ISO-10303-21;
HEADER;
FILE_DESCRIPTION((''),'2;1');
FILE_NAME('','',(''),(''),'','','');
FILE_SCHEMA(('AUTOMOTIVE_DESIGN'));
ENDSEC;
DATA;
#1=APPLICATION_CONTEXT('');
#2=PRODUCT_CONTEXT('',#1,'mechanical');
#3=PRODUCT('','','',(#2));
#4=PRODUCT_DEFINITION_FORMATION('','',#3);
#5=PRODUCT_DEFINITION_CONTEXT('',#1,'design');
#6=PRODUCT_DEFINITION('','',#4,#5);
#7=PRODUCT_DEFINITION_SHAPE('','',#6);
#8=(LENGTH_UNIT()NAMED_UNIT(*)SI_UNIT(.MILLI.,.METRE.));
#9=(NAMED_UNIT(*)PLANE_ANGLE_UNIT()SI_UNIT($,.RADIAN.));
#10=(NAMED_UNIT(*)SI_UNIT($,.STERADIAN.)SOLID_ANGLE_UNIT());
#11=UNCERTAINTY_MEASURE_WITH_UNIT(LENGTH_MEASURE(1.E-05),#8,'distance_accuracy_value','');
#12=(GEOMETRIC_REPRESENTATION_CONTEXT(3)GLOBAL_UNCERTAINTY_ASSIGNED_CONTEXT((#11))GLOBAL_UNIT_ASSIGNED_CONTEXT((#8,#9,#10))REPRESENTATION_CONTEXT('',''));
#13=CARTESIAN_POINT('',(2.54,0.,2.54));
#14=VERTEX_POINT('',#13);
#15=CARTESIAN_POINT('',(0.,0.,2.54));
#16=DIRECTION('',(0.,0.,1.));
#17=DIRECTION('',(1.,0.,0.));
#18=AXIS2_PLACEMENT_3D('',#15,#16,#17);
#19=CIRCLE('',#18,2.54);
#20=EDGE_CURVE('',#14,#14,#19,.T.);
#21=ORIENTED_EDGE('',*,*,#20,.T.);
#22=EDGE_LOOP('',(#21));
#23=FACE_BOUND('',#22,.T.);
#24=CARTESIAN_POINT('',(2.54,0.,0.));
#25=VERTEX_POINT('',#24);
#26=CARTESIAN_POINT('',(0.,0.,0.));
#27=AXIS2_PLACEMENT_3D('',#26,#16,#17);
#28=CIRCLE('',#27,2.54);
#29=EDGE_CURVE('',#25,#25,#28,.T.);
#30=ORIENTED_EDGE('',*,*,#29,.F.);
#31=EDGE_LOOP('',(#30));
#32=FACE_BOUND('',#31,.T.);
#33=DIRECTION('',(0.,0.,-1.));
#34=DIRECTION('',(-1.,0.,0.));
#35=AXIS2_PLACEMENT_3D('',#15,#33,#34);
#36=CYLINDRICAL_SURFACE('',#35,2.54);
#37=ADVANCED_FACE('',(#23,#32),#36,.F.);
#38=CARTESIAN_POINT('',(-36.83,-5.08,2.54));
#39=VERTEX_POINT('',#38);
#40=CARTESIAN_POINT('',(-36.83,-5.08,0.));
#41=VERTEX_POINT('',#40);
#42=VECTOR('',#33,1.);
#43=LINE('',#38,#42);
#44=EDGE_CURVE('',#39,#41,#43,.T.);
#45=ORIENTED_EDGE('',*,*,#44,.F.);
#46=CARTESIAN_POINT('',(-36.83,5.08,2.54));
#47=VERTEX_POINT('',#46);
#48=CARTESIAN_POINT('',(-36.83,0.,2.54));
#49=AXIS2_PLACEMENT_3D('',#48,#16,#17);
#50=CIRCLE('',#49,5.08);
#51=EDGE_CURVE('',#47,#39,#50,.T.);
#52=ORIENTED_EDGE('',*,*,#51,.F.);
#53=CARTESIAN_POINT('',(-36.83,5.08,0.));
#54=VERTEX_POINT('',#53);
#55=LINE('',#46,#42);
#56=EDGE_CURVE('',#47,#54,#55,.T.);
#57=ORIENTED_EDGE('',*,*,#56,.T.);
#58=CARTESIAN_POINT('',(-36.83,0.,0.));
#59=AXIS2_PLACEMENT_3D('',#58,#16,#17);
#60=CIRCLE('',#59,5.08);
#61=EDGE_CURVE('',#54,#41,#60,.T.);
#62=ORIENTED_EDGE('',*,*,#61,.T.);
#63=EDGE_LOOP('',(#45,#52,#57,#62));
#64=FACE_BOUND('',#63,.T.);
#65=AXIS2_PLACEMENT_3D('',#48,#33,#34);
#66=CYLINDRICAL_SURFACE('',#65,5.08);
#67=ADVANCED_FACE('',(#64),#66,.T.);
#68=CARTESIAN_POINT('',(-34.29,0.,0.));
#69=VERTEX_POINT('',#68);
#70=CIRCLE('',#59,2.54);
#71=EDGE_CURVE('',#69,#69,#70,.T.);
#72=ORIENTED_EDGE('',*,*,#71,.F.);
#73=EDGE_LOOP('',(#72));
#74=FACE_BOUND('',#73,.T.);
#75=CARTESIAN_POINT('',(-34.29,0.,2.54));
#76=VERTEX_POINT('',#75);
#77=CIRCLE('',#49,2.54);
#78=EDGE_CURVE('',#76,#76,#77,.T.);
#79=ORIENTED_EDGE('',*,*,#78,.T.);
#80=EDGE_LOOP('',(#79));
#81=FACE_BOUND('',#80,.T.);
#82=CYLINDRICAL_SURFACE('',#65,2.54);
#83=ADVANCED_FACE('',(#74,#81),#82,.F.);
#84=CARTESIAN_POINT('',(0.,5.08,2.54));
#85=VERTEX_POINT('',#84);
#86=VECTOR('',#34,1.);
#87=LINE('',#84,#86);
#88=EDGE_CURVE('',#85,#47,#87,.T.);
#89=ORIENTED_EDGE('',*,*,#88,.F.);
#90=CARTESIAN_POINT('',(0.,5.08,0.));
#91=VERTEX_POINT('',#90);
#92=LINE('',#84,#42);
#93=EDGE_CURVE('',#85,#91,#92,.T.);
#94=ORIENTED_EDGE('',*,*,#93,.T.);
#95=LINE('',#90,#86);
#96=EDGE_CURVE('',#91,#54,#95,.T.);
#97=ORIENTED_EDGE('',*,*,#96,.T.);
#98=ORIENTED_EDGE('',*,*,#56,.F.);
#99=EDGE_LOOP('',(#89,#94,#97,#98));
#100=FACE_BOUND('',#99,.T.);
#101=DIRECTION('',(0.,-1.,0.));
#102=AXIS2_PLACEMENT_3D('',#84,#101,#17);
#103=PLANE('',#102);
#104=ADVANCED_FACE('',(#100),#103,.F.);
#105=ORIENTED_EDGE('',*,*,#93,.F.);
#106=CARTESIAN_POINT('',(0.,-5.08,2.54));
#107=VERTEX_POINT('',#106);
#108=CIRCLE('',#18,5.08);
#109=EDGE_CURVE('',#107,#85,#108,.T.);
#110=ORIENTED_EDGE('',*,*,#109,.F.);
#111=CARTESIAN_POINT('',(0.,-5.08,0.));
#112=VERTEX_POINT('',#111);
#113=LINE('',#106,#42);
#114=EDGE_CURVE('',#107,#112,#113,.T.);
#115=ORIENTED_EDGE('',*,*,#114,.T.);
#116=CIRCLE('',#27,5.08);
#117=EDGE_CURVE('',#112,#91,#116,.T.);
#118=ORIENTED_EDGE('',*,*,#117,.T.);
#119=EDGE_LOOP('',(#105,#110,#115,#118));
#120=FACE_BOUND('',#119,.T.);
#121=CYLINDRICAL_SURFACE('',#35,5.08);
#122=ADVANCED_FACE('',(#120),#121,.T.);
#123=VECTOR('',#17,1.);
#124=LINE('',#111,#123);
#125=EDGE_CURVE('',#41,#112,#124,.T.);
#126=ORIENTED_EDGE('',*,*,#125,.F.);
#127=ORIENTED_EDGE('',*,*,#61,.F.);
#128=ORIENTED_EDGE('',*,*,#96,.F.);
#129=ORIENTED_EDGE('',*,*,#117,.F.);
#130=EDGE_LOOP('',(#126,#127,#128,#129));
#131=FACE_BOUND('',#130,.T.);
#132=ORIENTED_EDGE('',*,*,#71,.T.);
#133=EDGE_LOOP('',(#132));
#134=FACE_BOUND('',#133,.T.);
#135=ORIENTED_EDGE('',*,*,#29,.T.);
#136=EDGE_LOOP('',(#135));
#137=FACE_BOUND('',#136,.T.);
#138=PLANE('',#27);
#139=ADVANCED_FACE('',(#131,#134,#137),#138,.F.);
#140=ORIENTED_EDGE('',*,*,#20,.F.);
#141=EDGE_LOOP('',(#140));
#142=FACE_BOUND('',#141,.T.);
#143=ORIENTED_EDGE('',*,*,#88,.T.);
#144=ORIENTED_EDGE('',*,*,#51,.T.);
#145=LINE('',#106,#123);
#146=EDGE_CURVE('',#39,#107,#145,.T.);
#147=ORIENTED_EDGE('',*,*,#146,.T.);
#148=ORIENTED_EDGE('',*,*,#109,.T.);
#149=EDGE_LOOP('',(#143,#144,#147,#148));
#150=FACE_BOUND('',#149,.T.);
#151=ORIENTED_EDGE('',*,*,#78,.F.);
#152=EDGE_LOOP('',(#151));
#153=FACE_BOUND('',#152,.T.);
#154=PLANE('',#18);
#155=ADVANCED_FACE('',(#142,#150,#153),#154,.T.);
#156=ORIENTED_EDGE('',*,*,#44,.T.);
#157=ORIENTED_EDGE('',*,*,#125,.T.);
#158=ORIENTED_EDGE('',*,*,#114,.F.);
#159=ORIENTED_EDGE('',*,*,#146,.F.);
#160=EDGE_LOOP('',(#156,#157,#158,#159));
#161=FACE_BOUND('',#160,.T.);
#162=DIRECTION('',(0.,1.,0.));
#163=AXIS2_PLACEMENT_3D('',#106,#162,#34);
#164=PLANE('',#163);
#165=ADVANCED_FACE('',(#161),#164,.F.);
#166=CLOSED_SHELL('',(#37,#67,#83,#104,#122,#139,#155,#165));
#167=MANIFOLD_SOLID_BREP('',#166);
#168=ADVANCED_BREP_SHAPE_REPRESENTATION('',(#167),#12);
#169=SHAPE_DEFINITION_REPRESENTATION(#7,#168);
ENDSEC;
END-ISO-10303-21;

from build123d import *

# Parameters (mm, degrees)
SKETCH1_R           = 2.54
BOSS_EXTRUDE1_DEPTH = 2.54


with BuildPart() as part:
    # Sketch1 → Boss-Extrude1 (new body)
    with BuildSketch(Plane.XY):
        with BuildLine():
            Line((0, -5.08), (-36.83, -5.08))
            ThreePointArc((-36.83, -5.08), (-41.91, 0), (-36.83, 5.08))
            Line((-36.83, 5.08), (0, 5.08))
            ThreePointArc((0, 5.08), (5.08, 0), (0, -5.08))
        make_face()
        with Locations((-36.83, 0)):
            Circle(SKETCH1_R, mode=Mode.SUBTRACT)
        Circle(SKETCH1_R, mode=Mode.SUBTRACT)
    extrude(amount=BOSS_EXTRUDE1_DEPTH)


solid = part.part
